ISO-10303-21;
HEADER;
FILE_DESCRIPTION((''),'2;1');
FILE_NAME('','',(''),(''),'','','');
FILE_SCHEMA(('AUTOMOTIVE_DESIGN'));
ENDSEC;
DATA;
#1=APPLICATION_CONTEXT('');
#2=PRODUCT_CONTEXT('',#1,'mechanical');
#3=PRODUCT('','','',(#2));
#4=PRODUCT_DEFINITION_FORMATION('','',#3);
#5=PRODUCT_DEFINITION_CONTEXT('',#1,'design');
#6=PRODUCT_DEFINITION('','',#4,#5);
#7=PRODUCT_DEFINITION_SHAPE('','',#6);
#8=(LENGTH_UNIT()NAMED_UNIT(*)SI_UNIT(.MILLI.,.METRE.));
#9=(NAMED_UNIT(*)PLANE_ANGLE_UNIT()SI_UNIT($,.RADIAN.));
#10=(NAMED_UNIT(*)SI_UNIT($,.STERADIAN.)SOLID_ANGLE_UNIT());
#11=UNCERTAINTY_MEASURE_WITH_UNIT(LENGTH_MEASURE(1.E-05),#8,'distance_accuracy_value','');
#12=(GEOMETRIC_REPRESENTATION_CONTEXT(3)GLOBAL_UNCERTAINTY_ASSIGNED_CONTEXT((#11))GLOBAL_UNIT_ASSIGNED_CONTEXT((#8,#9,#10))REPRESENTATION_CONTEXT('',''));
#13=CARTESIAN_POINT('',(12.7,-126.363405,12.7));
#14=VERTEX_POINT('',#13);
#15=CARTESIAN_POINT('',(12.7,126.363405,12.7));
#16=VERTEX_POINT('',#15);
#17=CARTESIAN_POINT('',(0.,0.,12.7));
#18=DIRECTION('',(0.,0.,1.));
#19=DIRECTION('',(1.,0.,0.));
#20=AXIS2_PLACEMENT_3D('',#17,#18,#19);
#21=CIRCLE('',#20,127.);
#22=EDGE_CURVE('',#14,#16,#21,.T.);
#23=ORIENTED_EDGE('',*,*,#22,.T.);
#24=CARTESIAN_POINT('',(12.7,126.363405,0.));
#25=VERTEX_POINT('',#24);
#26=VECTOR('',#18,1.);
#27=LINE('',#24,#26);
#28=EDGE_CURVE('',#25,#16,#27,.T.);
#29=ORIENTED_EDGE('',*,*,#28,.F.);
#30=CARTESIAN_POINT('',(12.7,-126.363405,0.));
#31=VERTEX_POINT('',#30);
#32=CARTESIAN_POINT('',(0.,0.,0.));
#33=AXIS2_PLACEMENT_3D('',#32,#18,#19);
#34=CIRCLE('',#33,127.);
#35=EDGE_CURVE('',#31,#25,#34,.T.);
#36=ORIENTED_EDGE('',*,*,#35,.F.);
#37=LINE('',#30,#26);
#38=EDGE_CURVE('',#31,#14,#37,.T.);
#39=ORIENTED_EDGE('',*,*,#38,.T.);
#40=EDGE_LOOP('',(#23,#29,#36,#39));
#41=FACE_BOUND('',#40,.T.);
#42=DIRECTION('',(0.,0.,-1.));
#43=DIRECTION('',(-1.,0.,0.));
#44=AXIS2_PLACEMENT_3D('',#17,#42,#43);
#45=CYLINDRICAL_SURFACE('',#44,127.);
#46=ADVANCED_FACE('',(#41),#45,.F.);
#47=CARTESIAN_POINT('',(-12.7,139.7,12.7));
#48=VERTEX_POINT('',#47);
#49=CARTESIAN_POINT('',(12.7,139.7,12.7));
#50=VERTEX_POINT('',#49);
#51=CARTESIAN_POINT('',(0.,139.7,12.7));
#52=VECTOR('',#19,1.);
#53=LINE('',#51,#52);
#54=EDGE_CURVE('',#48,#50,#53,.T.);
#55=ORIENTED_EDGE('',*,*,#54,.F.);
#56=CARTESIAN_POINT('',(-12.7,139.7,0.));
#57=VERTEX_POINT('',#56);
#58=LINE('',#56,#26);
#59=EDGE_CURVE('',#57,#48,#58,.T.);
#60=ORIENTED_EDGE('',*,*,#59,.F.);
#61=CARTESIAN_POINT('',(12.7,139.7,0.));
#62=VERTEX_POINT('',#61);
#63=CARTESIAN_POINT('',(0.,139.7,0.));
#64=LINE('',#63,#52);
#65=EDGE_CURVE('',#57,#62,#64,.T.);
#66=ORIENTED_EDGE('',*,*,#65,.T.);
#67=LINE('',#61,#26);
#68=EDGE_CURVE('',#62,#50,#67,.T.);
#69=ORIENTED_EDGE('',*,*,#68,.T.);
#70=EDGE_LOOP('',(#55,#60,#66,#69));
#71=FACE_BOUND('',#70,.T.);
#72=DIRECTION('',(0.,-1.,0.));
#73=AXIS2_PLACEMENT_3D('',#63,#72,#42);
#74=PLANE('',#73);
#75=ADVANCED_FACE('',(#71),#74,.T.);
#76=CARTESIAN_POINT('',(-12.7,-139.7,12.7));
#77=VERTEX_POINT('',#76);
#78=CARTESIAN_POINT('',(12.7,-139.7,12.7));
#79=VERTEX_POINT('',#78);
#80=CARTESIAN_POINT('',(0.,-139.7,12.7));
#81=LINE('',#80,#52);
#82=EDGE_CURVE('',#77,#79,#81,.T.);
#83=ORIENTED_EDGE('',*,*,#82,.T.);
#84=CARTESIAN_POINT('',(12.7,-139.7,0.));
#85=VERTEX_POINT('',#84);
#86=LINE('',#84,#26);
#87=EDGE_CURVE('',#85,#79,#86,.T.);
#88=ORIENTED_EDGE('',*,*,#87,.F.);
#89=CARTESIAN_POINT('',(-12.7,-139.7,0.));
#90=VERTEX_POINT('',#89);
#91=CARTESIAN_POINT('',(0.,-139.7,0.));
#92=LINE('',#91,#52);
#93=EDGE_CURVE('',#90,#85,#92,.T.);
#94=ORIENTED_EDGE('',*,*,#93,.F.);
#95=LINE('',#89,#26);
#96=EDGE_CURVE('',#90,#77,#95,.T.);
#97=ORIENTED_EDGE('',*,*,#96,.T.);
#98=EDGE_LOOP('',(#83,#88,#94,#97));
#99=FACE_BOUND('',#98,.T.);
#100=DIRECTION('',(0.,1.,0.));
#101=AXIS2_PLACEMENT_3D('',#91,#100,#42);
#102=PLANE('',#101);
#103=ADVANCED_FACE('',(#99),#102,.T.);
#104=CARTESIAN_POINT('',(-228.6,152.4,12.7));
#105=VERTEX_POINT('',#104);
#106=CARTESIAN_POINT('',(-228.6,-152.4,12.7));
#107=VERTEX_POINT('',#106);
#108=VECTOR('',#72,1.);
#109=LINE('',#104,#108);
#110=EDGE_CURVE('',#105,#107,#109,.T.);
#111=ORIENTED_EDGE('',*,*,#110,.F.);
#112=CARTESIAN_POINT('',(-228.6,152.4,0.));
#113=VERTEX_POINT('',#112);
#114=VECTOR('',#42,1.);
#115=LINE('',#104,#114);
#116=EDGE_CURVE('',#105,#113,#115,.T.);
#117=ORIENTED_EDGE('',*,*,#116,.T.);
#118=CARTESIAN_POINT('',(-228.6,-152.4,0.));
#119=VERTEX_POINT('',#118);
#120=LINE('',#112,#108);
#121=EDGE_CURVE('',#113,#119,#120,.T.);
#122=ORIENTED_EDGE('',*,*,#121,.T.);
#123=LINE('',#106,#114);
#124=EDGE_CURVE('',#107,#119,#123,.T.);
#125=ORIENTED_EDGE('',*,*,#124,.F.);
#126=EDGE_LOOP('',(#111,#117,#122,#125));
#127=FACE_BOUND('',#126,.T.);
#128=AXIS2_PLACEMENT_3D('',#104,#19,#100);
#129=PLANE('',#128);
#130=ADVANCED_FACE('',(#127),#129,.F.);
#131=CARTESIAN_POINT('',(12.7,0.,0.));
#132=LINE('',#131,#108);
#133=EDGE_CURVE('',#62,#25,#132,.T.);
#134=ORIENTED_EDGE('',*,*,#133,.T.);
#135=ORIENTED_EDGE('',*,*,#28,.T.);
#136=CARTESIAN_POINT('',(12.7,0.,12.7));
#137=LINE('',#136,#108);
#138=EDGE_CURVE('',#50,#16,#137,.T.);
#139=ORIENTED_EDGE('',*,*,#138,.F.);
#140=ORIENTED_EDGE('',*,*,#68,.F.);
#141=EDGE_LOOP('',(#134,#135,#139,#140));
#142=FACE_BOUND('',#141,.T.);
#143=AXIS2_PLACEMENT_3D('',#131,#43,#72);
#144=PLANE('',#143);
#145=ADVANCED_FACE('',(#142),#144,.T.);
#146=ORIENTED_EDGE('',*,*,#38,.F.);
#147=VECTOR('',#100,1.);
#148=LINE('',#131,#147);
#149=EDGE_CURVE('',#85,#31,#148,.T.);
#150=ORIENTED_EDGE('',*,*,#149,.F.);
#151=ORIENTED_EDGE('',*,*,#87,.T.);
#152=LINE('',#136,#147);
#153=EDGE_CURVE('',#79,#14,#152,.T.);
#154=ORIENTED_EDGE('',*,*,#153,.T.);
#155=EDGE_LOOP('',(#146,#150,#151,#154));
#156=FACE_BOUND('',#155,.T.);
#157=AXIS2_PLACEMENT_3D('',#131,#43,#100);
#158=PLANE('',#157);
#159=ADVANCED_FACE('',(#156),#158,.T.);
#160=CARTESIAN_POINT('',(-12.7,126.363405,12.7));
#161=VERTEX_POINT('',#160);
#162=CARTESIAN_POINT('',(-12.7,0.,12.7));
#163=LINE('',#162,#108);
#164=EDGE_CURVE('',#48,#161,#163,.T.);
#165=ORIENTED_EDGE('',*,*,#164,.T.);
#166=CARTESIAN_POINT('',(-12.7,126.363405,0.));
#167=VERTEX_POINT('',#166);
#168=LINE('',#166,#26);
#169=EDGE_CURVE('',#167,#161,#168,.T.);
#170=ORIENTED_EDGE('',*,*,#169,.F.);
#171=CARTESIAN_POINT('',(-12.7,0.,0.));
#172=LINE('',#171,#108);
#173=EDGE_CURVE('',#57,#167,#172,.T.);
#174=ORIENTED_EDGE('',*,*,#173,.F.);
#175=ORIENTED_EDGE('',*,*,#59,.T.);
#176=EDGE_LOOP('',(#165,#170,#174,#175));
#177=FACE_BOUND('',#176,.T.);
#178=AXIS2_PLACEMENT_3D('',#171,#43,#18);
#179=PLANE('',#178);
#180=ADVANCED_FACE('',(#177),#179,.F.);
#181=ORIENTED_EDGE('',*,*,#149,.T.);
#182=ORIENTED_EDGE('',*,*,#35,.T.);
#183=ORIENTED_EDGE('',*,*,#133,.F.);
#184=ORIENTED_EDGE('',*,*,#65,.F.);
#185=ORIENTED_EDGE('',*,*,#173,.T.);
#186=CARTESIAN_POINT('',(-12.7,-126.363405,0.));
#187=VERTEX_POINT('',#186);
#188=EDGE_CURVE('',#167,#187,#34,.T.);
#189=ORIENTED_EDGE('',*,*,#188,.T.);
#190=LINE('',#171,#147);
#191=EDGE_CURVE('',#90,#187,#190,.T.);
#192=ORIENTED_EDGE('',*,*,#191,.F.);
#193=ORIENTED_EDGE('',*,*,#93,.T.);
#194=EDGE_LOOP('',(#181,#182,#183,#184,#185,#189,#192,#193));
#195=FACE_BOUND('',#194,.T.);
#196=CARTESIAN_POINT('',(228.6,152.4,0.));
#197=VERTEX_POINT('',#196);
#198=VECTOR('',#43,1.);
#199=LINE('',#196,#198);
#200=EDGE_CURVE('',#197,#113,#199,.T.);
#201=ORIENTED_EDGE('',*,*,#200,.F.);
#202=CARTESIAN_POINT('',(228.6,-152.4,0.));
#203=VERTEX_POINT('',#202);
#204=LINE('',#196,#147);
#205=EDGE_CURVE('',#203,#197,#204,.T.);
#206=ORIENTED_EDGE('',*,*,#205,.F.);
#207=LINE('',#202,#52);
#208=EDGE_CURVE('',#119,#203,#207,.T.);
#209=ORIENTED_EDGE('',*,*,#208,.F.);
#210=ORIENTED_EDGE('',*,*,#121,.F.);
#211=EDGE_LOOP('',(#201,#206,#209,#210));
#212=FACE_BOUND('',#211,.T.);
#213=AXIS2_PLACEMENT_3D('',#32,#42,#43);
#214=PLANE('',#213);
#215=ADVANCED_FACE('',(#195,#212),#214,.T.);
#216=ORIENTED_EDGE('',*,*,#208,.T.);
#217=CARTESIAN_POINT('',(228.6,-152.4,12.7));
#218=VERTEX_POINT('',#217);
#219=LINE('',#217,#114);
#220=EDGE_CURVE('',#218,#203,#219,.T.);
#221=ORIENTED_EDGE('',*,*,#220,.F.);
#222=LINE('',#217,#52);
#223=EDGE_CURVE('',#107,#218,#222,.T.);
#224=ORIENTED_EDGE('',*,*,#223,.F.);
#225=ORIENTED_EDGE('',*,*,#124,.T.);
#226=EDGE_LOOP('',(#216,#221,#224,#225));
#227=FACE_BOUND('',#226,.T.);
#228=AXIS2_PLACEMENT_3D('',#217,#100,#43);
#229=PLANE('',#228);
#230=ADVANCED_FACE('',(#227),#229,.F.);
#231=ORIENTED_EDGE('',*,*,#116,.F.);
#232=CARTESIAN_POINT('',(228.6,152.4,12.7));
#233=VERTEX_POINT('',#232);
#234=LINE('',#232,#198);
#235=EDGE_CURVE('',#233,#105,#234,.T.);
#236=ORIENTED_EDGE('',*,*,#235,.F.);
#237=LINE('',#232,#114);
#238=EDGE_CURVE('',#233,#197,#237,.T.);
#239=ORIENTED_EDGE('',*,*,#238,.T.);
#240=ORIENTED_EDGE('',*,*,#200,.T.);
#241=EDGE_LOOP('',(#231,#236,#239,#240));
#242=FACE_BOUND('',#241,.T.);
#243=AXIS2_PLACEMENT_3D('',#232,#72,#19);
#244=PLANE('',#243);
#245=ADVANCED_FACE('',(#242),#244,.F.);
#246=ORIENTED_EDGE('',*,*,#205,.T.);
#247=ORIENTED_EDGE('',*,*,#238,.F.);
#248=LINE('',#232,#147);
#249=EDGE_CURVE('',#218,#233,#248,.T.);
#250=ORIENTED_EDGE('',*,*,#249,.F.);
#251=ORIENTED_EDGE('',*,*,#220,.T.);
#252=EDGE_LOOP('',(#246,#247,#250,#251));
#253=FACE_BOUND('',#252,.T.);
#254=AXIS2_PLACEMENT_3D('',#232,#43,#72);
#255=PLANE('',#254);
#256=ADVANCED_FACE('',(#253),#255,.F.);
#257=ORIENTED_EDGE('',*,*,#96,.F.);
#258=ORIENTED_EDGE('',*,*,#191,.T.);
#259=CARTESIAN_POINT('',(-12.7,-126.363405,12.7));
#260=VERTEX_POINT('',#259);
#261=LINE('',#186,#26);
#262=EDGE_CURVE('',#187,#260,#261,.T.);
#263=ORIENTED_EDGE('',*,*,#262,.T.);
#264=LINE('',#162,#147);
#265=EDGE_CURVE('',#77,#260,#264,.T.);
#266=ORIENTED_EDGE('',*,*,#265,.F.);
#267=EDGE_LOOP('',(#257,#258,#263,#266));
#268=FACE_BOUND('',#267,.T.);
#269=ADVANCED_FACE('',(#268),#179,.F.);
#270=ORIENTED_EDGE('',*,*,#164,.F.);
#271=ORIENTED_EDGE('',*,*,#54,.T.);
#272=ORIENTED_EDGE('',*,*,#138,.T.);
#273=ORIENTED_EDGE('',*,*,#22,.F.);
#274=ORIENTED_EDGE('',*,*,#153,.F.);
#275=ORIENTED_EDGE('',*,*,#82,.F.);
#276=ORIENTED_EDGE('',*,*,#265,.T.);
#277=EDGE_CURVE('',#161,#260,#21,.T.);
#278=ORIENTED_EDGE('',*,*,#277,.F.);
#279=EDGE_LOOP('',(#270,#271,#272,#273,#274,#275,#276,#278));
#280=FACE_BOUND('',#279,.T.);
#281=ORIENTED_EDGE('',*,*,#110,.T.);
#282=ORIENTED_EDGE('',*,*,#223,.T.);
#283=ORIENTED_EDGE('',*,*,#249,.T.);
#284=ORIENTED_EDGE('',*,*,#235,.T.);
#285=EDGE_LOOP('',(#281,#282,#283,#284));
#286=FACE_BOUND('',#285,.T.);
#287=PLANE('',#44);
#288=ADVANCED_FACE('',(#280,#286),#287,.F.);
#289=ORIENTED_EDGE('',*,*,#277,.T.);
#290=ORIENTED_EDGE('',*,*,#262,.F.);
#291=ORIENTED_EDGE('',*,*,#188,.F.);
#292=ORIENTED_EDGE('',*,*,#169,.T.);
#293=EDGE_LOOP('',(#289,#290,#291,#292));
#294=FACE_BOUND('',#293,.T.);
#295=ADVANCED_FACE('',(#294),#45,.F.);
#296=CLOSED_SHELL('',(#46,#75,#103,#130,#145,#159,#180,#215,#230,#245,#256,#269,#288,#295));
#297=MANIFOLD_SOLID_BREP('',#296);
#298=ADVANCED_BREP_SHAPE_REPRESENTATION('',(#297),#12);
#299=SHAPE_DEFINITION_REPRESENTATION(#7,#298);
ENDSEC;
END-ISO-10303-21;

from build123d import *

# Parameters (mm, degrees)
SKETCH1_W           = 457.2
SKETCH1_H           = 304.8
SKETCH1_R           = 127
BOSS_EXTRUDE1_DEPTH = 12.7
CUT_EXTRUDE2_DEPTH  = 276.036379412


with BuildPart() as part:
    # Sketch1 → Boss-Extrude1 (new body)
    with BuildSketch(Plane.XY):
        Rectangle(SKETCH1_W, SKETCH1_H)
        Circle(SKETCH1_R, mode=Mode.SUBTRACT)
    extrude(amount=BOSS_EXTRUDE1_DEPTH)

    # Sketch2 → Cut-Extrude2 (cut, through all)
    with BuildSketch(Plane.XY.offset(12.7)):
        with BuildLine():
            ThreePointArc((-12.7, 126.363404513), (0, 127), (12.7, 126.363404513))
            Line((12.7, 126.363404513), (12.7, 139.7))
            Line((12.7, 139.7), (-12.7, 139.7))
            Line((-12.7, 139.7), (-12.7, 126.363404513))
        make_face()
    cut_extrude2 = extrude(amount=-CUT_EXTRUDE2_DEPTH, mode=Mode.SUBTRACT)

    # Mirror1: Cut-Extrude2 across plane
    add(cut_extrude2.mirror(Plane.ZX), mode=Mode.SUBTRACT)


solid = part.part
